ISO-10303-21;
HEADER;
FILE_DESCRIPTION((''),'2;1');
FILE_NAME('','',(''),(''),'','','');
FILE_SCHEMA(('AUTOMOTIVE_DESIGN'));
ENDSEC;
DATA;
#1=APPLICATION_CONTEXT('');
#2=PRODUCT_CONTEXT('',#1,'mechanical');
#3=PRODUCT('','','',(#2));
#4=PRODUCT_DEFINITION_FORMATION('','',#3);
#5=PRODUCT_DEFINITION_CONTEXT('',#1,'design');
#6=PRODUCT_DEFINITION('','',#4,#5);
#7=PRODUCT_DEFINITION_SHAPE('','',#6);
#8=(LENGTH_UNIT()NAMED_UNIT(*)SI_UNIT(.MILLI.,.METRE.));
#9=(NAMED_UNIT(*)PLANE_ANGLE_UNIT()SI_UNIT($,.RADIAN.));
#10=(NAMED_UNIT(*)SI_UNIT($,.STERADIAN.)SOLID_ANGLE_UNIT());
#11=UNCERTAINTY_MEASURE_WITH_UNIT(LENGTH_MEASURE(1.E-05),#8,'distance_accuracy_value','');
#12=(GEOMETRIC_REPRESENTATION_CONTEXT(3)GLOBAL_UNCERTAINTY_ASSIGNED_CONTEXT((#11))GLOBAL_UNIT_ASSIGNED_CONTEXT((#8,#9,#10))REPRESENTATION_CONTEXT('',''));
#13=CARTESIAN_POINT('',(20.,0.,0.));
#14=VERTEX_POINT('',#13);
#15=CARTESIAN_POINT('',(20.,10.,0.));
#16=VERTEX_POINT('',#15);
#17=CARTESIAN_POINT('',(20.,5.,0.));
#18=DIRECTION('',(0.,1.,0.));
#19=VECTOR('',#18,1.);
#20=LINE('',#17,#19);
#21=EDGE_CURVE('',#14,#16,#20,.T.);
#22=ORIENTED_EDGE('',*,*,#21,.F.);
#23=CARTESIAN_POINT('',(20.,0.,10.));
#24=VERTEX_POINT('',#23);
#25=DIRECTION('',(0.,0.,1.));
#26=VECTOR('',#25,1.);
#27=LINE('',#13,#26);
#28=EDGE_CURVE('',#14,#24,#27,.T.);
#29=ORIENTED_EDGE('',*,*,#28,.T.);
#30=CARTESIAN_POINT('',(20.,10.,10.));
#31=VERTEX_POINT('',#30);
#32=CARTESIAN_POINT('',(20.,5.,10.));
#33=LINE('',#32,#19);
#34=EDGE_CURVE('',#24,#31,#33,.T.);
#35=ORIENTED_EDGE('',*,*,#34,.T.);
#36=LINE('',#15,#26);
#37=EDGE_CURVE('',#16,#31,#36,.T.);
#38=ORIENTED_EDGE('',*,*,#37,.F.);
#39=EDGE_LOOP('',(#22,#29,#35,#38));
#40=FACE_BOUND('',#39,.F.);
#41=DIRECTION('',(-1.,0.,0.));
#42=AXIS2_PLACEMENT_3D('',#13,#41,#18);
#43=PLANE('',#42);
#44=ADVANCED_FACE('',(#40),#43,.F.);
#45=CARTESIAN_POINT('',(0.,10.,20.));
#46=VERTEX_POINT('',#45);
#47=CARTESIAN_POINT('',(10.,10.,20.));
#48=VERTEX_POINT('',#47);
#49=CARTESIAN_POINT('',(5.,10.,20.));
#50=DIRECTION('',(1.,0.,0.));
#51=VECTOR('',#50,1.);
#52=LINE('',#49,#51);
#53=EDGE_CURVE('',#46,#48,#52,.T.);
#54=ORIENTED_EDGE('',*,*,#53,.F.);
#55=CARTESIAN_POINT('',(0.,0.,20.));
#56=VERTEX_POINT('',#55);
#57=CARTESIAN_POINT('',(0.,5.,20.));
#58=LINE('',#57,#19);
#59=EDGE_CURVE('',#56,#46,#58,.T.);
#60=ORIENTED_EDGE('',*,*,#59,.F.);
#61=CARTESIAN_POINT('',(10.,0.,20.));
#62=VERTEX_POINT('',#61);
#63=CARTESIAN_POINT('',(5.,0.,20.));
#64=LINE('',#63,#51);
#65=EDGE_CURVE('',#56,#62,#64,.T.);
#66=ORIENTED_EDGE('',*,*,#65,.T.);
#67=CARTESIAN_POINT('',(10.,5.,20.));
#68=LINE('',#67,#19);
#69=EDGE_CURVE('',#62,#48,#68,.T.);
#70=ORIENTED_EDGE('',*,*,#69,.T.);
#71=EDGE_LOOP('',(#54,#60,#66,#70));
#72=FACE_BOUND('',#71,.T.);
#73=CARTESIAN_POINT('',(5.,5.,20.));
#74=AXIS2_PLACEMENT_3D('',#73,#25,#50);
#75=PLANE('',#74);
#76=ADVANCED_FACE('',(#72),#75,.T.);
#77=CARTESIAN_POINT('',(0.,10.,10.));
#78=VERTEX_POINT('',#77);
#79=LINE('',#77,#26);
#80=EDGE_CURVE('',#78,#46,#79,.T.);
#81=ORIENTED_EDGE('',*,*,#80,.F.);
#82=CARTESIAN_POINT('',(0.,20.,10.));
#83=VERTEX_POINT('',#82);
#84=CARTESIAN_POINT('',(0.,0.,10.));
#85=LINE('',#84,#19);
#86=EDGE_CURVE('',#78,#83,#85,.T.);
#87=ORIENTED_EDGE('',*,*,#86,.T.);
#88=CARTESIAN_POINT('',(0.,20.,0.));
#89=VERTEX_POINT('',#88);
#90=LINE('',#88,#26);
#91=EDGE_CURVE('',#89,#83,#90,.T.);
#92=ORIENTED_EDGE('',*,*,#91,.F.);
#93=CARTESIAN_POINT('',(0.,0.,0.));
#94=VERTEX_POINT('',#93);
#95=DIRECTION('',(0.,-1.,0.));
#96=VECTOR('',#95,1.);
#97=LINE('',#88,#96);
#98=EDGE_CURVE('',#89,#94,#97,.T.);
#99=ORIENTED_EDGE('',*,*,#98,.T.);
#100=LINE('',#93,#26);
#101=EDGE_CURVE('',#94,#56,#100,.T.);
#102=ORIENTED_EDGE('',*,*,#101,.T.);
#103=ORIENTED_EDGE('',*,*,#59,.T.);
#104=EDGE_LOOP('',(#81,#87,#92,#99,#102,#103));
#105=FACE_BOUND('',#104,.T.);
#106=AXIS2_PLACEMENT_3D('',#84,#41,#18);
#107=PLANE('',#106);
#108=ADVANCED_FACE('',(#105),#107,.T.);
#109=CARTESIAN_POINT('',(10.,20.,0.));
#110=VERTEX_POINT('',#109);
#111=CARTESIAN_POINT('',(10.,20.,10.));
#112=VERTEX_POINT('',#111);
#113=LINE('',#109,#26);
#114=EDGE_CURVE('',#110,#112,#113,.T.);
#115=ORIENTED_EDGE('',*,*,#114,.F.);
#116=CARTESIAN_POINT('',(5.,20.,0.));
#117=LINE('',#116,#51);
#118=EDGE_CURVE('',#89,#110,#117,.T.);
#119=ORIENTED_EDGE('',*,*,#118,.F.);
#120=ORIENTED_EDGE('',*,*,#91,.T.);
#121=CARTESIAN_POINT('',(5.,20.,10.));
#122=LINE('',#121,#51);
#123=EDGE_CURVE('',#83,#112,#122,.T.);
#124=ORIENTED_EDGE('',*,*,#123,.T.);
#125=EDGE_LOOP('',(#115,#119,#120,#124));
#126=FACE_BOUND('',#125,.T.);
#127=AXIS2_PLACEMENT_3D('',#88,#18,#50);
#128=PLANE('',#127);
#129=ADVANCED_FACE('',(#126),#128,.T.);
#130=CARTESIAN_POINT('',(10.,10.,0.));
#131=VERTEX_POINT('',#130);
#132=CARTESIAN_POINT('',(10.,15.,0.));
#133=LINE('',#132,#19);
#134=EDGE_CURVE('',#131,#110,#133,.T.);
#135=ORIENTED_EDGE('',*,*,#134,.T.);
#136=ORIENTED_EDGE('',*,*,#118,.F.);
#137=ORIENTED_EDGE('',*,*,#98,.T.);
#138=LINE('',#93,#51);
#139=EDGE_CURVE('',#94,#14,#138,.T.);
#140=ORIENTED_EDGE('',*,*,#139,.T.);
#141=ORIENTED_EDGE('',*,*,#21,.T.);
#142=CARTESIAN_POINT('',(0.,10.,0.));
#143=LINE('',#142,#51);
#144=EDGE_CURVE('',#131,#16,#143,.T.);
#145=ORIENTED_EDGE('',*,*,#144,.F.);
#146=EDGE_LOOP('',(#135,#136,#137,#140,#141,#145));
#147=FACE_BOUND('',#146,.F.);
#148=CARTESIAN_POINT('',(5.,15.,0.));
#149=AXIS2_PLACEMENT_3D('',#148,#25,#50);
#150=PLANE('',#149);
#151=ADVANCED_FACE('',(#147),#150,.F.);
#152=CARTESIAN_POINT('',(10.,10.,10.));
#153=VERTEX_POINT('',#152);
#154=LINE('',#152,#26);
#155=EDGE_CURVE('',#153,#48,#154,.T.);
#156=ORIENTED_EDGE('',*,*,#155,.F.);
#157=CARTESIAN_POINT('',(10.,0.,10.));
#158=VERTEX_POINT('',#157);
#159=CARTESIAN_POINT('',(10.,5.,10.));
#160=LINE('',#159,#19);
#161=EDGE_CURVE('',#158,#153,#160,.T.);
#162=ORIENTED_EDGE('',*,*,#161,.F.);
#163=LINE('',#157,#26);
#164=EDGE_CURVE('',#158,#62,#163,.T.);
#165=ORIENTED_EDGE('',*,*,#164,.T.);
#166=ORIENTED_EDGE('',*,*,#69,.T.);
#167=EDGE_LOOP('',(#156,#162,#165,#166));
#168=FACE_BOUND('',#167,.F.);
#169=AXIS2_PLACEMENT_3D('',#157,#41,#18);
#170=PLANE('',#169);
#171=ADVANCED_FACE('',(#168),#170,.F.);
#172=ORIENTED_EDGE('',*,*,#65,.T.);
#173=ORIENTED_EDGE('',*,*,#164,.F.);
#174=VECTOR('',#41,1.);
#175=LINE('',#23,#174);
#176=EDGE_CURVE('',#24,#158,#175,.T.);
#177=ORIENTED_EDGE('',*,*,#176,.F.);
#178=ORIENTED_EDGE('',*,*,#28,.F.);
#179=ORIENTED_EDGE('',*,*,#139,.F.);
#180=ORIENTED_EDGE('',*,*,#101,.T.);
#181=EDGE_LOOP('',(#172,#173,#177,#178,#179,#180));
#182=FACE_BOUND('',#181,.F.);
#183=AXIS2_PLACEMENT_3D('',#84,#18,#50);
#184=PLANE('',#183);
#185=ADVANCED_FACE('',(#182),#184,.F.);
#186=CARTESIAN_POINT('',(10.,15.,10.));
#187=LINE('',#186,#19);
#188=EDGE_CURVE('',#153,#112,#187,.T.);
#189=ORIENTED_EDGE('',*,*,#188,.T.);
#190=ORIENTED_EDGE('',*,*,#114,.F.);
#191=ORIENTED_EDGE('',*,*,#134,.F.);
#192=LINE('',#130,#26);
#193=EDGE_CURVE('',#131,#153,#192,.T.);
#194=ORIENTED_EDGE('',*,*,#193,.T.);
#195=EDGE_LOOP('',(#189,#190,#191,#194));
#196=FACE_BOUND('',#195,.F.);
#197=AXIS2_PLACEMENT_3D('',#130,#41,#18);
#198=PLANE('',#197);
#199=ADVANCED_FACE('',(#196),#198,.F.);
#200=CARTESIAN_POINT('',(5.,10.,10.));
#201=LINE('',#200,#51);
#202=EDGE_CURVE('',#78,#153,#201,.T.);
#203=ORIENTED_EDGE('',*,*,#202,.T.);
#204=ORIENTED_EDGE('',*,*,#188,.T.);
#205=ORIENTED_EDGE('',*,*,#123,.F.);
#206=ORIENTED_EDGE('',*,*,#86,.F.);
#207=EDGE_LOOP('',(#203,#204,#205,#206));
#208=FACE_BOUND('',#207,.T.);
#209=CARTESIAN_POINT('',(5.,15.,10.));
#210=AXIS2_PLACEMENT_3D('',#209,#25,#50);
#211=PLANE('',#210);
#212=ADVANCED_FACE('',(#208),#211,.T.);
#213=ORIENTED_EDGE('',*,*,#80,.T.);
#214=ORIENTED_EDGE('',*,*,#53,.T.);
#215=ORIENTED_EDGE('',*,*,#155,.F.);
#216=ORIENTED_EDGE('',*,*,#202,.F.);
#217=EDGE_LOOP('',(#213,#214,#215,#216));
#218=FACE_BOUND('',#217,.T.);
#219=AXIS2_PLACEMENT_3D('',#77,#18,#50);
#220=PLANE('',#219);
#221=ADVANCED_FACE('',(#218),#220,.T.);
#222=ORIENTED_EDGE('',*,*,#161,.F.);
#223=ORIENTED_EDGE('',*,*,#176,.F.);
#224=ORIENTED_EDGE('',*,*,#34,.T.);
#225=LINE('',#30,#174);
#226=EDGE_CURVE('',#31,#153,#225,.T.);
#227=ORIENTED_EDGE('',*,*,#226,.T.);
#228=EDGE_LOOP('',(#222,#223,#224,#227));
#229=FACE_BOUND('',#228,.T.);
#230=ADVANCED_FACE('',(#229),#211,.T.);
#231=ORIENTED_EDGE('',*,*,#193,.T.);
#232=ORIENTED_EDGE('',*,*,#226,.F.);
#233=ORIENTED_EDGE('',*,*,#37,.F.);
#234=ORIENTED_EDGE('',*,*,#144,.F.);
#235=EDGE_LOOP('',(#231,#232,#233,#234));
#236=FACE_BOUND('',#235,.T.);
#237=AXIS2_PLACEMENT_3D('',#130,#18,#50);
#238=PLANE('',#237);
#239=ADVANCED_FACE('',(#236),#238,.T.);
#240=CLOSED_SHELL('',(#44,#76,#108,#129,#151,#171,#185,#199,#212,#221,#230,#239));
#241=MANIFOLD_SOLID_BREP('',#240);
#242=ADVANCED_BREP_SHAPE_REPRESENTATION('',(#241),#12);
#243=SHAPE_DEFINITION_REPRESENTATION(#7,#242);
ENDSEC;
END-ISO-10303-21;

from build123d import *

# Parameters (mm, degrees)
BOX001_W     = 10
BOX001_H     = 10
BOX001_DEPTH = 10
BOX002_W     = 10
BOX002_H     = 10
BOX002_DEPTH = 10
BOX003_W     = 10
BOX003_H     = 10
BOX003_DEPTH = 10
BOX_W        = 10
BOX_H        = 10
BOX_DEPTH    = 10


with BuildPart() as nivell1_cub2:
    # Box001 → Box001 (new body)
    with BuildSketch(Plane(origin=(10, 0, 0), x_dir=(1, 0, 0), z_dir=(0, 0, 1))):
        with Locations((5, 5)):
            Rectangle(BOX001_W, BOX001_H)
    extrude(amount=BOX001_DEPTH)


with BuildPart() as nivell1_cub3:
    # Box002 → Box002 (new body)
    with BuildSketch(Plane(origin=(0, 10, 0), x_dir=(1, 0, 0), z_dir=(0, 0, 1))):
        with Locations((5, 5)):
            Rectangle(BOX002_W, BOX002_H)
    extrude(amount=BOX002_DEPTH)


with BuildPart() as nivell2_cub1:
    # Box003 → Box003 (new body)
    with BuildSketch(Plane.XY.offset(10)):
        with Locations((5, 5)):
            Rectangle(BOX003_W, BOX003_H)
    extrude(amount=BOX003_DEPTH)


with BuildPart() as fusion:
    # Box → Box (new body)
    with BuildSketch(Plane.XY):
        with Locations((5, 5)):
            Rectangle(BOX_W, BOX_H)
    extrude(amount=BOX_DEPTH)

    # Fusion: union nivell1_cub2, nivell1_cub3, nivell2_cub1
    add(nivell1_cub2.part)
    add(nivell1_cub3.part)
    add(nivell2_cub1.part)


solid = fusion.part
